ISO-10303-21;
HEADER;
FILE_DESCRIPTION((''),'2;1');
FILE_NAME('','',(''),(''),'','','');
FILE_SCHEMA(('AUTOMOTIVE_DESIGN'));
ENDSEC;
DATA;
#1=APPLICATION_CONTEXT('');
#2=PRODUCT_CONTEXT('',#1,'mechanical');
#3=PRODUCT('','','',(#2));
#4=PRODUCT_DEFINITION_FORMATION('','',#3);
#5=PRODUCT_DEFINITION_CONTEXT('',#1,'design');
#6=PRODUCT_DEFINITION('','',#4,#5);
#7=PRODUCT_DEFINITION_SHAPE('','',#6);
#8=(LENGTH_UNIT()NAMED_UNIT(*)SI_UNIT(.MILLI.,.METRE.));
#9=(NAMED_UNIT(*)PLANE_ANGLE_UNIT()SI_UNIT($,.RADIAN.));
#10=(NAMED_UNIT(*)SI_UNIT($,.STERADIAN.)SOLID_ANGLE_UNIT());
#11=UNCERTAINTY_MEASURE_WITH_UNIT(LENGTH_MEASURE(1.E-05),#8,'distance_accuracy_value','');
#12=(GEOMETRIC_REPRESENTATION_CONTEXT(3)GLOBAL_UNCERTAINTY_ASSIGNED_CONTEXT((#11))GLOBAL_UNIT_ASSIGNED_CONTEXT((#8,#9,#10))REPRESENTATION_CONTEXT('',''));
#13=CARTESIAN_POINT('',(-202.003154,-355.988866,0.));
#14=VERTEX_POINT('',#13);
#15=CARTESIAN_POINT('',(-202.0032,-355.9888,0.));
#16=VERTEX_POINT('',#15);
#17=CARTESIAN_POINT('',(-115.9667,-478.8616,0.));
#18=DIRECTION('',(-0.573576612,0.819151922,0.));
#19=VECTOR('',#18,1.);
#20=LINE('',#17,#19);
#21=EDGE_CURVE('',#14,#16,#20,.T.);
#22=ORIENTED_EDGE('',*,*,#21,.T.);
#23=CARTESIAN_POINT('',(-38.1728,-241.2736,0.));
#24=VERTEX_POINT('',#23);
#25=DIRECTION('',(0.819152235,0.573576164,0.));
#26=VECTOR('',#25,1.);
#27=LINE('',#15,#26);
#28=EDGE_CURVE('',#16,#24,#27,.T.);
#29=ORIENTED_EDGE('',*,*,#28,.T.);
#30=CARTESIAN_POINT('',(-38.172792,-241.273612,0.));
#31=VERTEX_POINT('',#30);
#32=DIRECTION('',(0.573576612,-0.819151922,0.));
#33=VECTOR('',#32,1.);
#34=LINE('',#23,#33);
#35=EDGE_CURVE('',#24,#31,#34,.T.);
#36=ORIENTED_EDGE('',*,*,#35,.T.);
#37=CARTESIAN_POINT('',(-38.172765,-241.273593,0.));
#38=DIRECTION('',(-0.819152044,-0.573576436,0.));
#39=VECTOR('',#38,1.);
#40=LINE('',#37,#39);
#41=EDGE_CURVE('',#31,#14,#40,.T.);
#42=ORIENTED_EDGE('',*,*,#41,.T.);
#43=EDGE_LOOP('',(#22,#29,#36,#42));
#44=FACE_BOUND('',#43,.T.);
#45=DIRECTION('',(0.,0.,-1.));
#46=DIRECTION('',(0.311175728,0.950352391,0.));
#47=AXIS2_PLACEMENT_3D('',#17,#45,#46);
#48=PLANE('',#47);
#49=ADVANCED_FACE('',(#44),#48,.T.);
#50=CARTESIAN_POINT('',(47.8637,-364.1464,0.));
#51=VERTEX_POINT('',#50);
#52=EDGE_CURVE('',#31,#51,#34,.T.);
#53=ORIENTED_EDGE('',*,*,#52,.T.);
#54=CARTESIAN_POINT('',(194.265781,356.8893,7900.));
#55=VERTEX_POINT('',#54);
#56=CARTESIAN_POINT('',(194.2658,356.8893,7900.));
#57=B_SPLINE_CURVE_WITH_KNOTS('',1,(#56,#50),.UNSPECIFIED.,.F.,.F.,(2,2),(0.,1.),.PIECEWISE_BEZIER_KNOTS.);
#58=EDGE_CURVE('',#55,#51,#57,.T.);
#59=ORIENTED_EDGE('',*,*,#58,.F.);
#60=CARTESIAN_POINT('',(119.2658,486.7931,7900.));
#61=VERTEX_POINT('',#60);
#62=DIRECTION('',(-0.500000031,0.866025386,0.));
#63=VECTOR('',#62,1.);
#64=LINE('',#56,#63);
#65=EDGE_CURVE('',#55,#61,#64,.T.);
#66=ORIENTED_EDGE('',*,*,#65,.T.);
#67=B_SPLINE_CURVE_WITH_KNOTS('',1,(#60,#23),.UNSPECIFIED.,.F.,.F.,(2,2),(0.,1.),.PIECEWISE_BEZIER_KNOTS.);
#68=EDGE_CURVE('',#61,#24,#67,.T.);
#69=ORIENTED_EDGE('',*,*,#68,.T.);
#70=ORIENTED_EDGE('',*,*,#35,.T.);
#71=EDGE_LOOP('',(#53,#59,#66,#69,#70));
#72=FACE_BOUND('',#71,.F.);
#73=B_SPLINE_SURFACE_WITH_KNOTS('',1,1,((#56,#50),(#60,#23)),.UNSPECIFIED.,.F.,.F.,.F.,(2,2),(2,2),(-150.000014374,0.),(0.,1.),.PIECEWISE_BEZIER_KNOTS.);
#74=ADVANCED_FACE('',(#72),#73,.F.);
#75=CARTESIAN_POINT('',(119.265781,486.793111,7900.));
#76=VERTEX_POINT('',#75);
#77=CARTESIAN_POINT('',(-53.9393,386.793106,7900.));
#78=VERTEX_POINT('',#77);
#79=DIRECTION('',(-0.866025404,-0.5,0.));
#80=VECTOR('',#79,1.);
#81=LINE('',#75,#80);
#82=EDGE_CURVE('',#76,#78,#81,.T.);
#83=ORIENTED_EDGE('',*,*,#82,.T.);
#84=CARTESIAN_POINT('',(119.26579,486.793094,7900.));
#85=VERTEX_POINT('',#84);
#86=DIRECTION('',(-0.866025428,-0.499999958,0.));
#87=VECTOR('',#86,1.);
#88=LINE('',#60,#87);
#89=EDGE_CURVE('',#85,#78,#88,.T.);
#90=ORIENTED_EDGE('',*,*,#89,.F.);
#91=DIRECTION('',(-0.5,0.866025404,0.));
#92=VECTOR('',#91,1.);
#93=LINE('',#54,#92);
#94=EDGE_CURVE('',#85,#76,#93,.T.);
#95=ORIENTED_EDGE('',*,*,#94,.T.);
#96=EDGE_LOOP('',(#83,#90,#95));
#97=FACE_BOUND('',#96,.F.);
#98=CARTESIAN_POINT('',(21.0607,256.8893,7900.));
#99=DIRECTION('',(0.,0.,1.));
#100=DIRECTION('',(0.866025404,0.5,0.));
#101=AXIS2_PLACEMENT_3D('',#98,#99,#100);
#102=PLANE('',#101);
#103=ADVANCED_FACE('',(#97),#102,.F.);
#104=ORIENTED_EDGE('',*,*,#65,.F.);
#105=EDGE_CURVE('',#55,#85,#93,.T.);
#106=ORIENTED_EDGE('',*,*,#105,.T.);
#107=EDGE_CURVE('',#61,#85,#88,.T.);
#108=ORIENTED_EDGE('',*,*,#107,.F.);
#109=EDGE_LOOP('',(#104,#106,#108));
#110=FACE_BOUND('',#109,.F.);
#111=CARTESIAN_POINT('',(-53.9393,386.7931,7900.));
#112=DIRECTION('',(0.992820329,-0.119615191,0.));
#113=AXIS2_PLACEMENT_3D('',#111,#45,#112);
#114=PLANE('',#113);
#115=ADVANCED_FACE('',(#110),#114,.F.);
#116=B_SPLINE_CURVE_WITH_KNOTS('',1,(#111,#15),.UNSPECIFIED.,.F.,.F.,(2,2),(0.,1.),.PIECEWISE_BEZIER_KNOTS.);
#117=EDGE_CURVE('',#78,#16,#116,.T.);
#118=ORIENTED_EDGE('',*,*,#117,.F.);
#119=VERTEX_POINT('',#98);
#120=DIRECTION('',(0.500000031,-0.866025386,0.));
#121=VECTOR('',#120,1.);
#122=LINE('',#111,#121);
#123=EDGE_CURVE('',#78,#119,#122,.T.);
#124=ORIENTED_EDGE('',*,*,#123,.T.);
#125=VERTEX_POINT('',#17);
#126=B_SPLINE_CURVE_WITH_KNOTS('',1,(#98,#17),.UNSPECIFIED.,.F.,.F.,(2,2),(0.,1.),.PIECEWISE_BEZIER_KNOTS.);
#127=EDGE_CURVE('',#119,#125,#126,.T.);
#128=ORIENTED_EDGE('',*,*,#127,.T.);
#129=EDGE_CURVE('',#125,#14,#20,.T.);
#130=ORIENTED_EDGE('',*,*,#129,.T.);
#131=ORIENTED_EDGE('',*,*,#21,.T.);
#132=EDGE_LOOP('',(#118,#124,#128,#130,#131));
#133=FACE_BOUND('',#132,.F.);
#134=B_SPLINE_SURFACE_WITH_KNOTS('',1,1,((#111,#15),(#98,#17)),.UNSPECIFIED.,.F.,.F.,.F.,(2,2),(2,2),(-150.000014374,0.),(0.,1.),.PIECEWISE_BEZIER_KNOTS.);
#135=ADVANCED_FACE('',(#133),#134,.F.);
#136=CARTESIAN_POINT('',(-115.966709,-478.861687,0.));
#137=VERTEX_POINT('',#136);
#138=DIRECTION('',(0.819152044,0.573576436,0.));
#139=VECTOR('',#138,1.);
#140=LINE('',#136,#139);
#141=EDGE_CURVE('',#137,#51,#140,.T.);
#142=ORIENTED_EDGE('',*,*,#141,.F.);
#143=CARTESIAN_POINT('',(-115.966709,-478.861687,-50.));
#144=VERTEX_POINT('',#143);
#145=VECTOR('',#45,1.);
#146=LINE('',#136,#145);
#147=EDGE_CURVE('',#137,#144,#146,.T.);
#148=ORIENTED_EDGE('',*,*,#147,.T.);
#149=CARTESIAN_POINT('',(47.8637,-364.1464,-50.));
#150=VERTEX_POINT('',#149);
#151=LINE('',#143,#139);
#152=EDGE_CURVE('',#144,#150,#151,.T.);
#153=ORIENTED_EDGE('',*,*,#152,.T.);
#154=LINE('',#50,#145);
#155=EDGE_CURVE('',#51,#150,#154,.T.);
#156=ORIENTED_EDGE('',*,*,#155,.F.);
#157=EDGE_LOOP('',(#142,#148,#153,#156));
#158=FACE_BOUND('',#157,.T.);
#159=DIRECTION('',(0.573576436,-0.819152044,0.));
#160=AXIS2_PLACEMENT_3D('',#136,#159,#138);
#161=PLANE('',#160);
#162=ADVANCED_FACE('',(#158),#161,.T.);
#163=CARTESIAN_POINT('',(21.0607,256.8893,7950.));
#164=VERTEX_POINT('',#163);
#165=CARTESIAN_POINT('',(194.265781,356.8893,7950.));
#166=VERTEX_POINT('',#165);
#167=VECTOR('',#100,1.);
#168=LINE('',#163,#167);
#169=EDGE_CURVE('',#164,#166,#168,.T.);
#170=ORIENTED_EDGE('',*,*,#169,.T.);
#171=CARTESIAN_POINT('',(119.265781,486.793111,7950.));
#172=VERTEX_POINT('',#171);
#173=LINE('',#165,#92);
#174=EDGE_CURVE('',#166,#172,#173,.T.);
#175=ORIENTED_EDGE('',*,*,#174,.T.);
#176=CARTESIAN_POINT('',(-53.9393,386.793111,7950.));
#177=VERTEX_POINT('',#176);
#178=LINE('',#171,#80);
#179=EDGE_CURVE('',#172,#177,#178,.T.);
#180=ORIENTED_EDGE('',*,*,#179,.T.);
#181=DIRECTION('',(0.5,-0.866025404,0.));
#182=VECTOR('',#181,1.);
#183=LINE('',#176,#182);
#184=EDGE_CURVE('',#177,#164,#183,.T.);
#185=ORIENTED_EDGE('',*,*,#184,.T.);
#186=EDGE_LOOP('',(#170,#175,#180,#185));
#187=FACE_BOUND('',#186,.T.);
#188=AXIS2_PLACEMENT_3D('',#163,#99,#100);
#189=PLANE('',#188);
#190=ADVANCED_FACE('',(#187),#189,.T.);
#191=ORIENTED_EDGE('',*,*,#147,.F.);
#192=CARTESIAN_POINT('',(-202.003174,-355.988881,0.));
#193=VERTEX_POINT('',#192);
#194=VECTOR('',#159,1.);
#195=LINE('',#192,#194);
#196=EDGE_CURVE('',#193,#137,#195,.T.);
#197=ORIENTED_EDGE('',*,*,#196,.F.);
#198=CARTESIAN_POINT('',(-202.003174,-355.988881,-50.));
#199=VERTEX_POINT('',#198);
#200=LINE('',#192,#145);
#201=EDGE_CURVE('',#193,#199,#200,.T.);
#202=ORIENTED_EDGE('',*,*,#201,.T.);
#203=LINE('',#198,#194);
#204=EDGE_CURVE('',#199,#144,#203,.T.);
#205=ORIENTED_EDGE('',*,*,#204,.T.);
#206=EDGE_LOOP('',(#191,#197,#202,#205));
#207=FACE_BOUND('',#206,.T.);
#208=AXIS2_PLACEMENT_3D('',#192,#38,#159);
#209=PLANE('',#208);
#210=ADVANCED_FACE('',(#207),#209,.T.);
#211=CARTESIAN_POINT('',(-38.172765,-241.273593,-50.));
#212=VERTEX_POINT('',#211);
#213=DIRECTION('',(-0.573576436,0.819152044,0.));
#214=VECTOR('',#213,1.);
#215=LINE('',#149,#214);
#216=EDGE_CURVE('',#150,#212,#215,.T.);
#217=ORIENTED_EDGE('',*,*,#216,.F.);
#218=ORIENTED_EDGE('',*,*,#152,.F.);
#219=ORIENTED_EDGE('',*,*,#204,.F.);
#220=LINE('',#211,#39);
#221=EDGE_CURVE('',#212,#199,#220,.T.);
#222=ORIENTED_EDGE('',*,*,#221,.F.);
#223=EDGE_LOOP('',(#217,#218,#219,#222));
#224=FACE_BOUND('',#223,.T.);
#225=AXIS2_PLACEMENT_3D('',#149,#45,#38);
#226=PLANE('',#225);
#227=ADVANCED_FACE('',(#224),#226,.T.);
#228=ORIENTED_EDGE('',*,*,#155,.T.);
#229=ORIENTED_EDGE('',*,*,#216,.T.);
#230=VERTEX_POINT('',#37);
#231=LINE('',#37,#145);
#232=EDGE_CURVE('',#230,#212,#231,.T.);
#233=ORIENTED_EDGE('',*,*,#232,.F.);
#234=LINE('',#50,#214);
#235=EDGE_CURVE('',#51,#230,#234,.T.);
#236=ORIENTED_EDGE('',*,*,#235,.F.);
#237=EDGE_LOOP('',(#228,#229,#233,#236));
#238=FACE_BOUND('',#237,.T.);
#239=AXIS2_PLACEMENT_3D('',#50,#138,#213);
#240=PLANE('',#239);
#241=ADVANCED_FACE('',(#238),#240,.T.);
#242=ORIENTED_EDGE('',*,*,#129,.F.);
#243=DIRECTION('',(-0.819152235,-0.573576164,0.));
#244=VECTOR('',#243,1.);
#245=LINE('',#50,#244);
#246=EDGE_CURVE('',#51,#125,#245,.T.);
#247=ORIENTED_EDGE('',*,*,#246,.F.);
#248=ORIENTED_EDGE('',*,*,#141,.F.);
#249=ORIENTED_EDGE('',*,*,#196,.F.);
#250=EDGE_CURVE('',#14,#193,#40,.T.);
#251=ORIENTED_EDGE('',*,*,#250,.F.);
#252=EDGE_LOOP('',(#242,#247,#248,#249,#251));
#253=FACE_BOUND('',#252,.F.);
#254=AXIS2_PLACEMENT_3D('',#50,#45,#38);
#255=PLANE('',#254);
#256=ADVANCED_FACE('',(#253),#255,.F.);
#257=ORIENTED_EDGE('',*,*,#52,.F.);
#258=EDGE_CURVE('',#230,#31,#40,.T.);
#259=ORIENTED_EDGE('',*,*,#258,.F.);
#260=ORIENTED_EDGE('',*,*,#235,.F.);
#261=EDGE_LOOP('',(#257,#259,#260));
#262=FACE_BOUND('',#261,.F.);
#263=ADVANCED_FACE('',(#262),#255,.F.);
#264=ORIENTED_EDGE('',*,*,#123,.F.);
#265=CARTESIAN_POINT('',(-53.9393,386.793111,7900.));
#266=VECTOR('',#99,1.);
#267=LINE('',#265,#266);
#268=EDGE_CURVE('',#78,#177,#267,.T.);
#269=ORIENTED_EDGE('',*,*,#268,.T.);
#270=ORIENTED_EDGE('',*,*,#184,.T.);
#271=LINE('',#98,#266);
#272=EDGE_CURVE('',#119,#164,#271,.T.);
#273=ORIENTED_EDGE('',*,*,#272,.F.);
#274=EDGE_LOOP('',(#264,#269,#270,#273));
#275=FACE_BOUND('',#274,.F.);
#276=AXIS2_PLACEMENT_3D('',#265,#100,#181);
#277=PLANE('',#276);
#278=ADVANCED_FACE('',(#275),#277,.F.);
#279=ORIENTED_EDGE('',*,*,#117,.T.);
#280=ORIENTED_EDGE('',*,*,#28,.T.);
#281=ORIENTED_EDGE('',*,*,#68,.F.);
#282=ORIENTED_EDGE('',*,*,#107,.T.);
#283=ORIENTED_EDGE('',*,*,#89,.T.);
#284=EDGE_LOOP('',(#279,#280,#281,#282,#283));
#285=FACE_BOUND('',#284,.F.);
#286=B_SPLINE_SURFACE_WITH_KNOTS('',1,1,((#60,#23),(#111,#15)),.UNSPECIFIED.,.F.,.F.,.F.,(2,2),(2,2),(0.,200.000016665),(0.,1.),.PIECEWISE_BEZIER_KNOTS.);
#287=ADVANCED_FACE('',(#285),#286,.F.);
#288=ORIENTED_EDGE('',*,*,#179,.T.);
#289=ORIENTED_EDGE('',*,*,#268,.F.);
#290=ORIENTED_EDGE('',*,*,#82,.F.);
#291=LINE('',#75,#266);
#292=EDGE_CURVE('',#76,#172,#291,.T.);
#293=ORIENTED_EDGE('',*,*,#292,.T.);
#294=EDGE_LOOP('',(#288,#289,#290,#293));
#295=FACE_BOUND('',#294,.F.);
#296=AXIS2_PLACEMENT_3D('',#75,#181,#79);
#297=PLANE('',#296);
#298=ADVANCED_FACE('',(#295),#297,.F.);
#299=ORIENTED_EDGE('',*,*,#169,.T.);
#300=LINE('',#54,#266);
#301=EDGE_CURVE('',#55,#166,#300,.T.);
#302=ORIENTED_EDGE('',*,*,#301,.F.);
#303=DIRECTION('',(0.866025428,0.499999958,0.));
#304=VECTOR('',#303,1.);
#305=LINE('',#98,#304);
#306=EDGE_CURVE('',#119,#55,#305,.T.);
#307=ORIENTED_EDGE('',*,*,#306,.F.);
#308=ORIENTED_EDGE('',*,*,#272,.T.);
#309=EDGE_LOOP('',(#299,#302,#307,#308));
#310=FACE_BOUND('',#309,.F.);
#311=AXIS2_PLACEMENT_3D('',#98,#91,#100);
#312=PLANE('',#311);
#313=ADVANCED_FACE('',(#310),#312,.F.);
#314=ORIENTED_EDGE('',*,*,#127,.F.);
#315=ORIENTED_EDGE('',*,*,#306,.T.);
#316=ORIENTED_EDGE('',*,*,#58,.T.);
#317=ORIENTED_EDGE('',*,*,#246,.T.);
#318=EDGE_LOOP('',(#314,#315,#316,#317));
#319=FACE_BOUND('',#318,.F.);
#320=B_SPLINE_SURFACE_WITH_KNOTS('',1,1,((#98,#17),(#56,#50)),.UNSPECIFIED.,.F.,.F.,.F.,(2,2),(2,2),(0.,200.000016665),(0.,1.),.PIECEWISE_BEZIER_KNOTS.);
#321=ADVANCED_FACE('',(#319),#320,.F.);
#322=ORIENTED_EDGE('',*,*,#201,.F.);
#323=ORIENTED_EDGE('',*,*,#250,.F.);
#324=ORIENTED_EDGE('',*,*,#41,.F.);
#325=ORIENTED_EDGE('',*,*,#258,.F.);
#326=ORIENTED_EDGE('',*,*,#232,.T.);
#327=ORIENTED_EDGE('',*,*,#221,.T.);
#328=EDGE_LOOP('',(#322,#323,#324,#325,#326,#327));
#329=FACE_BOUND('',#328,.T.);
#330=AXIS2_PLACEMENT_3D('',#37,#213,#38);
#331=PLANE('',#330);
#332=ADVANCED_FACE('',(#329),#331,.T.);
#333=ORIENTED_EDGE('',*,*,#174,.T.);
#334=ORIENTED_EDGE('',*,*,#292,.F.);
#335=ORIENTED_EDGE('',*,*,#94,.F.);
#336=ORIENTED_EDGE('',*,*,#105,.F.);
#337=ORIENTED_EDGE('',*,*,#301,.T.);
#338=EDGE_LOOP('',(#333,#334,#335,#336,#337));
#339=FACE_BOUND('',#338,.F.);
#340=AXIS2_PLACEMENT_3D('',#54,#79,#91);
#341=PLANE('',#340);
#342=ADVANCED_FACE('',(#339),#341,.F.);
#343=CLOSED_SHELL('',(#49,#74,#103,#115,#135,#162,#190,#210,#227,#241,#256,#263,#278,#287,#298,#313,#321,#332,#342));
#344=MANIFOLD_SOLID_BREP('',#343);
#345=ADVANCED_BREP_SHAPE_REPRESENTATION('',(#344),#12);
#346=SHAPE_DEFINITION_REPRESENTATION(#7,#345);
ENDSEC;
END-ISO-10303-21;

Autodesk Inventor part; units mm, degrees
ref_plane "YZ Plane" through (0, 0, 0) normal (1, 0, 0) x (0, 1, 0)
ref_plane "XZ Plane" through (0, 0, 0) normal (0, 1, 0) x (-1, 0, 0)
sketch "Sketch1" plane through (0, 0, 0) normal (0, 0, 1) x (1, 0, 0)
  line L0 (-202.0032, -355.9888) -> (-38.1728, -241.2736)
  line L1 (-38.1728, -241.2736) -> (47.8637, -364.1464)
  line L2 (-115.9667, -478.8616) -> (-202.0032, -355.9888)
  line L3 (47.8637, -364.1464) -> (-115.9667, -478.8616)
  point P0 (0, 0)
ref_plane "Work Plane2" through (0, 0, 7900) normal (0, 0, 1) x (1, 0, 0)
ref_plane "Work Plane1" through (0, 0, 0) normal (0, 0, 1) x (1, 0, 0)
sketch "Sketch2" plane through (0, 0, 7900) normal (0, 0, 1) x (1, 0, 0)
  line L0 (119.2658, 486.7931) -> (-53.9393, 386.7931) construction
  line L1 (194.2658, 356.8893) -> (119.2658, 486.7931) construction
  line L2 (21.0607, 256.8893) -> (194.2658, 356.8893) construction
  line L3 (-53.9393, 386.7931) -> (21.0607, 256.8893) construction
  line L4 (21.0607, 256.8893) -> (194.2658, 356.8893)
  line L5 (194.2658, 356.8893) -> (119.2658, 486.7931)
  line L6 (119.2658, 486.7931) -> (-53.9393, 386.7931)
  line L7 (-53.9393, 386.7931) -> (21.0607, 256.8893)
  line L8 (21.0607, 256.8893) -> (119.2658, 486.7931) construction
  line L9 (194.2658, 356.8893) -> (-53.9393, 386.7931) construction
  point P0 (0, 0)
  point P1 (70.1633, 371.8412)
loft "Loft1" add profiles "Sketch2", "Sketch1"
sketch "Sketch3" plane through (47.8637, -364.1464, 0) normal (0, 0, -1) x (-0.8192, -0.5736, 0)
  line L0 (200, 0) -> (0, 0) projected
  line L1 (200, 150) -> (200, 0) projected
  line L2 (0, 150) -> (200, 150) projected
  line L3 (0, 0) -> (0, 150) projected
  point P0 (-169.6581, 325.7447)
sketch "Sketch4" plane through (21.0607, 256.8893, 7900) normal (0, 0, 1) x (0.866, 0.5, 0)
  line L0 (0, 0) -> (200, 0) projected
  line L1 (200, 0) -> (200, 150) projected
  line L2 (200, 150) -> (0, 150) projected
  line L3 (0, 150) -> (0, 0) projected
  point P0 (-146.6838, -211.9423)
extrude "Extrusion1" add sketch "Sketch3" along normal blind 50
extrude "Extrusion2" add sketch "Sketch4" along normal blind 50
properties part number "support_beam_segment_0103" material "Wood Shake"
